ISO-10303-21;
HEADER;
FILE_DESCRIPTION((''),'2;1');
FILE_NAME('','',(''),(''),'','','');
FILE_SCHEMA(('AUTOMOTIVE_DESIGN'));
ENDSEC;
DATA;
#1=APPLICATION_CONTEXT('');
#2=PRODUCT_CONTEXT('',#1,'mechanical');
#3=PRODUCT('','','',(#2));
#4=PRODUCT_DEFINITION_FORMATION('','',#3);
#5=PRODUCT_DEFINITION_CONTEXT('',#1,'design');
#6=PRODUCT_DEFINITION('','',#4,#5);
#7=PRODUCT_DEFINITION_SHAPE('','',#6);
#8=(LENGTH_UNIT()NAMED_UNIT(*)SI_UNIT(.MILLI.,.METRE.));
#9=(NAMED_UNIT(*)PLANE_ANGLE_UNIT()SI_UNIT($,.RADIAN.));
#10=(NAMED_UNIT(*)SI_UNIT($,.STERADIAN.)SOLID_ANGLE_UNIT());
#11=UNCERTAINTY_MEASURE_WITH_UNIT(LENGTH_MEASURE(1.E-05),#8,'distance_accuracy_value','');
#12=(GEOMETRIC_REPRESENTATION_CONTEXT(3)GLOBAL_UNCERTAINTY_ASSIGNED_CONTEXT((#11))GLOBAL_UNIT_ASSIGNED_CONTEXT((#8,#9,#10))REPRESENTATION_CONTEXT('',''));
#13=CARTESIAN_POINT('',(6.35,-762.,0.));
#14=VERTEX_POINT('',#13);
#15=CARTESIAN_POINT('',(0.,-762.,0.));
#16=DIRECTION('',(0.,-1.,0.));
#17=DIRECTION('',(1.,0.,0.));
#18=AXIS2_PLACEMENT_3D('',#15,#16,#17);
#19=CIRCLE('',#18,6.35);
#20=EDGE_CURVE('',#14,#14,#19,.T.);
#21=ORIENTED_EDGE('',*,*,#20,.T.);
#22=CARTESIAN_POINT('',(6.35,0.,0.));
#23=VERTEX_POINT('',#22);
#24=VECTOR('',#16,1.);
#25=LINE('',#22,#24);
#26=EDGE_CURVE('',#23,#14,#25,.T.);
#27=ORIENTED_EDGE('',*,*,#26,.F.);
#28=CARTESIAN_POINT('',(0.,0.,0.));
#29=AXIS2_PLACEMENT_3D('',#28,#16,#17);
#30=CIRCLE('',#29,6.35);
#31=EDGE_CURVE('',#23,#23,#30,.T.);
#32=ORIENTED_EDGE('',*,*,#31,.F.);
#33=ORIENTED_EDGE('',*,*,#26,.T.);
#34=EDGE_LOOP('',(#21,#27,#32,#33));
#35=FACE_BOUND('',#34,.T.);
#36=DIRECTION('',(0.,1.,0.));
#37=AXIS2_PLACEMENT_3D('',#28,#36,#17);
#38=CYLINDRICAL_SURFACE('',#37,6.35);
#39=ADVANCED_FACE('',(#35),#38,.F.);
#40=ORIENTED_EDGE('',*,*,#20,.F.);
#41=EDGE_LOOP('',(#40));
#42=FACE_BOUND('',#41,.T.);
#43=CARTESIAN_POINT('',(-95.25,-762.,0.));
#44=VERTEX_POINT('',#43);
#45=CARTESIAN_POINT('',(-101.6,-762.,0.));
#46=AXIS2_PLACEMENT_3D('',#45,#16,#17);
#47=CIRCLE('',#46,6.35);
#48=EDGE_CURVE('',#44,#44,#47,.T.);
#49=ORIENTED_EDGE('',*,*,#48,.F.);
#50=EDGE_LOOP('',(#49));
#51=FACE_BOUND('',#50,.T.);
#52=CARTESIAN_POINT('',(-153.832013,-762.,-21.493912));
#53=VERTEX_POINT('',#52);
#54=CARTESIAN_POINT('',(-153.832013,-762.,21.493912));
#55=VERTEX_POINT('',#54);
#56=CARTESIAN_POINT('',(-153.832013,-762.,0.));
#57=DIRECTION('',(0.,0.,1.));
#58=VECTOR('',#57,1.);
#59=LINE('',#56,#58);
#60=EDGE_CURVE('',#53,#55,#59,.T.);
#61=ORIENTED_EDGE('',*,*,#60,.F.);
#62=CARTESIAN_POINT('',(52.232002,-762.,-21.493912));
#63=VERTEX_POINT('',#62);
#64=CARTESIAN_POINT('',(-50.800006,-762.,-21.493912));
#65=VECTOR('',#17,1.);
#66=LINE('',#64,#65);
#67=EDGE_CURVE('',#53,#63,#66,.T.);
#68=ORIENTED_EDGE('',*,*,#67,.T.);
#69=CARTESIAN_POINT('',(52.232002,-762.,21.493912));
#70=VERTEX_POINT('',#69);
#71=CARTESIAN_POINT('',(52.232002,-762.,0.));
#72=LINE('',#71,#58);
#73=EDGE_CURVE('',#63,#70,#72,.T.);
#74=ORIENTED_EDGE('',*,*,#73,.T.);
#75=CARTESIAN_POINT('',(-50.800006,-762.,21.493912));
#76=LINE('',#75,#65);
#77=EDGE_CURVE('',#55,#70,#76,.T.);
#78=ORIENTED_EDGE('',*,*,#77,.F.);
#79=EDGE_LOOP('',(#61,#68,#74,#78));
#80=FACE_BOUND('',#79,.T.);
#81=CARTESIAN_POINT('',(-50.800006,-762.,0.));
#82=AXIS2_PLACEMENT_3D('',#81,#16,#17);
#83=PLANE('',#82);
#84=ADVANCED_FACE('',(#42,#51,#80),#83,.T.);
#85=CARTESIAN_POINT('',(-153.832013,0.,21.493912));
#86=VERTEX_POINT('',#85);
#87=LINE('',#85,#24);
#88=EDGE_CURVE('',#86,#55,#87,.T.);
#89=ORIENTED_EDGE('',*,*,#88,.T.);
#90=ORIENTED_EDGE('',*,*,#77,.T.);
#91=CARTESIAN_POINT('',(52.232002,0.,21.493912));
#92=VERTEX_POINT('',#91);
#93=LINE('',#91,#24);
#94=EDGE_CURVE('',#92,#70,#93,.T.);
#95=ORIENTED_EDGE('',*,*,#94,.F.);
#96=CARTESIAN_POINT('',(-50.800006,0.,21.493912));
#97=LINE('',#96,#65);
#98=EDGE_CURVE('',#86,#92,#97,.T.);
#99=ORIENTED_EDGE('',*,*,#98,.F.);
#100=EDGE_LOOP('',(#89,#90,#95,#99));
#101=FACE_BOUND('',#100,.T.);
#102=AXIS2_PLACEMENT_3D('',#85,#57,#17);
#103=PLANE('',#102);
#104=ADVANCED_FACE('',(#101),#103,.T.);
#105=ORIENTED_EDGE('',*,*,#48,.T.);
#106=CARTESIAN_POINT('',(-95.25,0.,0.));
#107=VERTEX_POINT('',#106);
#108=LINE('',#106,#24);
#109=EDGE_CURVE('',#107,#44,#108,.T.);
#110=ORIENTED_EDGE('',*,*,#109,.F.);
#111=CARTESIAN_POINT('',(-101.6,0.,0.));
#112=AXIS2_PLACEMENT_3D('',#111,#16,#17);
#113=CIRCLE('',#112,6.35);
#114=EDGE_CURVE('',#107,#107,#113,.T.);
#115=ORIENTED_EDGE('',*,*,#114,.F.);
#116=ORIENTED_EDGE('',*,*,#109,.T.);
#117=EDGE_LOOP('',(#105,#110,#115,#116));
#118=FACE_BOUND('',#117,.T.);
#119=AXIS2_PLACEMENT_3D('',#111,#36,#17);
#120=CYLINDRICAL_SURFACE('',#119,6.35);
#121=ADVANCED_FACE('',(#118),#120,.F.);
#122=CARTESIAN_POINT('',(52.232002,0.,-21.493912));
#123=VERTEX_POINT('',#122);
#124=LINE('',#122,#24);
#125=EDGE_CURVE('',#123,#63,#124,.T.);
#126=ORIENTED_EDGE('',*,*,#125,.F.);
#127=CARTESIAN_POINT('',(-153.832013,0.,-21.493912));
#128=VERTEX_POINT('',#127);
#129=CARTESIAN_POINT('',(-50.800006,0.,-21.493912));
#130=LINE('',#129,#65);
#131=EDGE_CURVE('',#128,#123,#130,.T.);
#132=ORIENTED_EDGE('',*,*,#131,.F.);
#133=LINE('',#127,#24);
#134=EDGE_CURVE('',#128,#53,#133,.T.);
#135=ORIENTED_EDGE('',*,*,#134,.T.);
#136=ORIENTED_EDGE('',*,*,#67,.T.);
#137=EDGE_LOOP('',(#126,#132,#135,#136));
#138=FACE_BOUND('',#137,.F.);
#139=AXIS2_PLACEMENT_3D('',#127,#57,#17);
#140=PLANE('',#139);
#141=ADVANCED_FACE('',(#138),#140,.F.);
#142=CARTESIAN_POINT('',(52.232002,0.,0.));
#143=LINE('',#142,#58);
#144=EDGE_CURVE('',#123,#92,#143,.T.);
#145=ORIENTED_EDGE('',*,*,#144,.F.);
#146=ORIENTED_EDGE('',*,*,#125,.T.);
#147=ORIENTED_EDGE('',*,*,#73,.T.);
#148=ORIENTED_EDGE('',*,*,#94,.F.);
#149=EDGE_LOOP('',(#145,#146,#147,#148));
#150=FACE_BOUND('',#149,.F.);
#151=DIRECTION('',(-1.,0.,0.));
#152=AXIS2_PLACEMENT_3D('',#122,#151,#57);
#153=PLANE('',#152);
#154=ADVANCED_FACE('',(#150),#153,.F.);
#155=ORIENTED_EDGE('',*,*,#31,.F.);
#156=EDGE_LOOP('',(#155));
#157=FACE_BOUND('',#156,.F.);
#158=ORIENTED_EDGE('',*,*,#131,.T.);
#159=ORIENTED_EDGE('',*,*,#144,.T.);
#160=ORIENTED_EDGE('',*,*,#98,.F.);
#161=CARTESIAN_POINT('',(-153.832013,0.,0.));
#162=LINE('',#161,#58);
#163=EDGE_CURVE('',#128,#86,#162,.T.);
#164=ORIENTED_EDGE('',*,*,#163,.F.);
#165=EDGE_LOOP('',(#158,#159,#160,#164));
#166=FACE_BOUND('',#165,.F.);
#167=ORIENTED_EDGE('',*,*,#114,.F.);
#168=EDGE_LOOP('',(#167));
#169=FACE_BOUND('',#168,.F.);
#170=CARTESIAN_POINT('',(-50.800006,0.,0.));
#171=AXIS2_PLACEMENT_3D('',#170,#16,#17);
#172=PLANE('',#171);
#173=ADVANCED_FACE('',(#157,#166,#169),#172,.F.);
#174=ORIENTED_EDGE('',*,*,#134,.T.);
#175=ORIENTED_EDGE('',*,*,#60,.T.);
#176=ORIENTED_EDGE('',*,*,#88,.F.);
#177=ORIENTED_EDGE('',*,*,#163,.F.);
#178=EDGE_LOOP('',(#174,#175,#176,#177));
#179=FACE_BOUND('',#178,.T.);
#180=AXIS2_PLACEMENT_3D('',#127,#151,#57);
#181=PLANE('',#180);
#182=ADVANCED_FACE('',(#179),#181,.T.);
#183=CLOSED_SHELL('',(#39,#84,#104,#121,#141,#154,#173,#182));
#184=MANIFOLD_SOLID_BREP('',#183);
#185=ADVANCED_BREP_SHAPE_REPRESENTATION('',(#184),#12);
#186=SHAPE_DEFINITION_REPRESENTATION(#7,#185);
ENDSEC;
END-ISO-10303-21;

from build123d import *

# Parameters (mm, degrees)
F0_W     = 206.064015
F0_H     = 42.987824
F0_R     = 6.35
F1_DEPTH = 762


with BuildPart() as f1:
    # F0 (on Front) → F1 (new body)
    with BuildSketch(Plane.XZ):
        with Locations((-50.800006, 0)):
            Rectangle(F0_W, F0_H)
        with Locations((-101.6, 0)):
            Circle(F0_R, mode=Mode.SUBTRACT)
        Circle(F0_R, mode=Mode.SUBTRACT)
    extrude(amount=F1_DEPTH)


solid = f1.part
